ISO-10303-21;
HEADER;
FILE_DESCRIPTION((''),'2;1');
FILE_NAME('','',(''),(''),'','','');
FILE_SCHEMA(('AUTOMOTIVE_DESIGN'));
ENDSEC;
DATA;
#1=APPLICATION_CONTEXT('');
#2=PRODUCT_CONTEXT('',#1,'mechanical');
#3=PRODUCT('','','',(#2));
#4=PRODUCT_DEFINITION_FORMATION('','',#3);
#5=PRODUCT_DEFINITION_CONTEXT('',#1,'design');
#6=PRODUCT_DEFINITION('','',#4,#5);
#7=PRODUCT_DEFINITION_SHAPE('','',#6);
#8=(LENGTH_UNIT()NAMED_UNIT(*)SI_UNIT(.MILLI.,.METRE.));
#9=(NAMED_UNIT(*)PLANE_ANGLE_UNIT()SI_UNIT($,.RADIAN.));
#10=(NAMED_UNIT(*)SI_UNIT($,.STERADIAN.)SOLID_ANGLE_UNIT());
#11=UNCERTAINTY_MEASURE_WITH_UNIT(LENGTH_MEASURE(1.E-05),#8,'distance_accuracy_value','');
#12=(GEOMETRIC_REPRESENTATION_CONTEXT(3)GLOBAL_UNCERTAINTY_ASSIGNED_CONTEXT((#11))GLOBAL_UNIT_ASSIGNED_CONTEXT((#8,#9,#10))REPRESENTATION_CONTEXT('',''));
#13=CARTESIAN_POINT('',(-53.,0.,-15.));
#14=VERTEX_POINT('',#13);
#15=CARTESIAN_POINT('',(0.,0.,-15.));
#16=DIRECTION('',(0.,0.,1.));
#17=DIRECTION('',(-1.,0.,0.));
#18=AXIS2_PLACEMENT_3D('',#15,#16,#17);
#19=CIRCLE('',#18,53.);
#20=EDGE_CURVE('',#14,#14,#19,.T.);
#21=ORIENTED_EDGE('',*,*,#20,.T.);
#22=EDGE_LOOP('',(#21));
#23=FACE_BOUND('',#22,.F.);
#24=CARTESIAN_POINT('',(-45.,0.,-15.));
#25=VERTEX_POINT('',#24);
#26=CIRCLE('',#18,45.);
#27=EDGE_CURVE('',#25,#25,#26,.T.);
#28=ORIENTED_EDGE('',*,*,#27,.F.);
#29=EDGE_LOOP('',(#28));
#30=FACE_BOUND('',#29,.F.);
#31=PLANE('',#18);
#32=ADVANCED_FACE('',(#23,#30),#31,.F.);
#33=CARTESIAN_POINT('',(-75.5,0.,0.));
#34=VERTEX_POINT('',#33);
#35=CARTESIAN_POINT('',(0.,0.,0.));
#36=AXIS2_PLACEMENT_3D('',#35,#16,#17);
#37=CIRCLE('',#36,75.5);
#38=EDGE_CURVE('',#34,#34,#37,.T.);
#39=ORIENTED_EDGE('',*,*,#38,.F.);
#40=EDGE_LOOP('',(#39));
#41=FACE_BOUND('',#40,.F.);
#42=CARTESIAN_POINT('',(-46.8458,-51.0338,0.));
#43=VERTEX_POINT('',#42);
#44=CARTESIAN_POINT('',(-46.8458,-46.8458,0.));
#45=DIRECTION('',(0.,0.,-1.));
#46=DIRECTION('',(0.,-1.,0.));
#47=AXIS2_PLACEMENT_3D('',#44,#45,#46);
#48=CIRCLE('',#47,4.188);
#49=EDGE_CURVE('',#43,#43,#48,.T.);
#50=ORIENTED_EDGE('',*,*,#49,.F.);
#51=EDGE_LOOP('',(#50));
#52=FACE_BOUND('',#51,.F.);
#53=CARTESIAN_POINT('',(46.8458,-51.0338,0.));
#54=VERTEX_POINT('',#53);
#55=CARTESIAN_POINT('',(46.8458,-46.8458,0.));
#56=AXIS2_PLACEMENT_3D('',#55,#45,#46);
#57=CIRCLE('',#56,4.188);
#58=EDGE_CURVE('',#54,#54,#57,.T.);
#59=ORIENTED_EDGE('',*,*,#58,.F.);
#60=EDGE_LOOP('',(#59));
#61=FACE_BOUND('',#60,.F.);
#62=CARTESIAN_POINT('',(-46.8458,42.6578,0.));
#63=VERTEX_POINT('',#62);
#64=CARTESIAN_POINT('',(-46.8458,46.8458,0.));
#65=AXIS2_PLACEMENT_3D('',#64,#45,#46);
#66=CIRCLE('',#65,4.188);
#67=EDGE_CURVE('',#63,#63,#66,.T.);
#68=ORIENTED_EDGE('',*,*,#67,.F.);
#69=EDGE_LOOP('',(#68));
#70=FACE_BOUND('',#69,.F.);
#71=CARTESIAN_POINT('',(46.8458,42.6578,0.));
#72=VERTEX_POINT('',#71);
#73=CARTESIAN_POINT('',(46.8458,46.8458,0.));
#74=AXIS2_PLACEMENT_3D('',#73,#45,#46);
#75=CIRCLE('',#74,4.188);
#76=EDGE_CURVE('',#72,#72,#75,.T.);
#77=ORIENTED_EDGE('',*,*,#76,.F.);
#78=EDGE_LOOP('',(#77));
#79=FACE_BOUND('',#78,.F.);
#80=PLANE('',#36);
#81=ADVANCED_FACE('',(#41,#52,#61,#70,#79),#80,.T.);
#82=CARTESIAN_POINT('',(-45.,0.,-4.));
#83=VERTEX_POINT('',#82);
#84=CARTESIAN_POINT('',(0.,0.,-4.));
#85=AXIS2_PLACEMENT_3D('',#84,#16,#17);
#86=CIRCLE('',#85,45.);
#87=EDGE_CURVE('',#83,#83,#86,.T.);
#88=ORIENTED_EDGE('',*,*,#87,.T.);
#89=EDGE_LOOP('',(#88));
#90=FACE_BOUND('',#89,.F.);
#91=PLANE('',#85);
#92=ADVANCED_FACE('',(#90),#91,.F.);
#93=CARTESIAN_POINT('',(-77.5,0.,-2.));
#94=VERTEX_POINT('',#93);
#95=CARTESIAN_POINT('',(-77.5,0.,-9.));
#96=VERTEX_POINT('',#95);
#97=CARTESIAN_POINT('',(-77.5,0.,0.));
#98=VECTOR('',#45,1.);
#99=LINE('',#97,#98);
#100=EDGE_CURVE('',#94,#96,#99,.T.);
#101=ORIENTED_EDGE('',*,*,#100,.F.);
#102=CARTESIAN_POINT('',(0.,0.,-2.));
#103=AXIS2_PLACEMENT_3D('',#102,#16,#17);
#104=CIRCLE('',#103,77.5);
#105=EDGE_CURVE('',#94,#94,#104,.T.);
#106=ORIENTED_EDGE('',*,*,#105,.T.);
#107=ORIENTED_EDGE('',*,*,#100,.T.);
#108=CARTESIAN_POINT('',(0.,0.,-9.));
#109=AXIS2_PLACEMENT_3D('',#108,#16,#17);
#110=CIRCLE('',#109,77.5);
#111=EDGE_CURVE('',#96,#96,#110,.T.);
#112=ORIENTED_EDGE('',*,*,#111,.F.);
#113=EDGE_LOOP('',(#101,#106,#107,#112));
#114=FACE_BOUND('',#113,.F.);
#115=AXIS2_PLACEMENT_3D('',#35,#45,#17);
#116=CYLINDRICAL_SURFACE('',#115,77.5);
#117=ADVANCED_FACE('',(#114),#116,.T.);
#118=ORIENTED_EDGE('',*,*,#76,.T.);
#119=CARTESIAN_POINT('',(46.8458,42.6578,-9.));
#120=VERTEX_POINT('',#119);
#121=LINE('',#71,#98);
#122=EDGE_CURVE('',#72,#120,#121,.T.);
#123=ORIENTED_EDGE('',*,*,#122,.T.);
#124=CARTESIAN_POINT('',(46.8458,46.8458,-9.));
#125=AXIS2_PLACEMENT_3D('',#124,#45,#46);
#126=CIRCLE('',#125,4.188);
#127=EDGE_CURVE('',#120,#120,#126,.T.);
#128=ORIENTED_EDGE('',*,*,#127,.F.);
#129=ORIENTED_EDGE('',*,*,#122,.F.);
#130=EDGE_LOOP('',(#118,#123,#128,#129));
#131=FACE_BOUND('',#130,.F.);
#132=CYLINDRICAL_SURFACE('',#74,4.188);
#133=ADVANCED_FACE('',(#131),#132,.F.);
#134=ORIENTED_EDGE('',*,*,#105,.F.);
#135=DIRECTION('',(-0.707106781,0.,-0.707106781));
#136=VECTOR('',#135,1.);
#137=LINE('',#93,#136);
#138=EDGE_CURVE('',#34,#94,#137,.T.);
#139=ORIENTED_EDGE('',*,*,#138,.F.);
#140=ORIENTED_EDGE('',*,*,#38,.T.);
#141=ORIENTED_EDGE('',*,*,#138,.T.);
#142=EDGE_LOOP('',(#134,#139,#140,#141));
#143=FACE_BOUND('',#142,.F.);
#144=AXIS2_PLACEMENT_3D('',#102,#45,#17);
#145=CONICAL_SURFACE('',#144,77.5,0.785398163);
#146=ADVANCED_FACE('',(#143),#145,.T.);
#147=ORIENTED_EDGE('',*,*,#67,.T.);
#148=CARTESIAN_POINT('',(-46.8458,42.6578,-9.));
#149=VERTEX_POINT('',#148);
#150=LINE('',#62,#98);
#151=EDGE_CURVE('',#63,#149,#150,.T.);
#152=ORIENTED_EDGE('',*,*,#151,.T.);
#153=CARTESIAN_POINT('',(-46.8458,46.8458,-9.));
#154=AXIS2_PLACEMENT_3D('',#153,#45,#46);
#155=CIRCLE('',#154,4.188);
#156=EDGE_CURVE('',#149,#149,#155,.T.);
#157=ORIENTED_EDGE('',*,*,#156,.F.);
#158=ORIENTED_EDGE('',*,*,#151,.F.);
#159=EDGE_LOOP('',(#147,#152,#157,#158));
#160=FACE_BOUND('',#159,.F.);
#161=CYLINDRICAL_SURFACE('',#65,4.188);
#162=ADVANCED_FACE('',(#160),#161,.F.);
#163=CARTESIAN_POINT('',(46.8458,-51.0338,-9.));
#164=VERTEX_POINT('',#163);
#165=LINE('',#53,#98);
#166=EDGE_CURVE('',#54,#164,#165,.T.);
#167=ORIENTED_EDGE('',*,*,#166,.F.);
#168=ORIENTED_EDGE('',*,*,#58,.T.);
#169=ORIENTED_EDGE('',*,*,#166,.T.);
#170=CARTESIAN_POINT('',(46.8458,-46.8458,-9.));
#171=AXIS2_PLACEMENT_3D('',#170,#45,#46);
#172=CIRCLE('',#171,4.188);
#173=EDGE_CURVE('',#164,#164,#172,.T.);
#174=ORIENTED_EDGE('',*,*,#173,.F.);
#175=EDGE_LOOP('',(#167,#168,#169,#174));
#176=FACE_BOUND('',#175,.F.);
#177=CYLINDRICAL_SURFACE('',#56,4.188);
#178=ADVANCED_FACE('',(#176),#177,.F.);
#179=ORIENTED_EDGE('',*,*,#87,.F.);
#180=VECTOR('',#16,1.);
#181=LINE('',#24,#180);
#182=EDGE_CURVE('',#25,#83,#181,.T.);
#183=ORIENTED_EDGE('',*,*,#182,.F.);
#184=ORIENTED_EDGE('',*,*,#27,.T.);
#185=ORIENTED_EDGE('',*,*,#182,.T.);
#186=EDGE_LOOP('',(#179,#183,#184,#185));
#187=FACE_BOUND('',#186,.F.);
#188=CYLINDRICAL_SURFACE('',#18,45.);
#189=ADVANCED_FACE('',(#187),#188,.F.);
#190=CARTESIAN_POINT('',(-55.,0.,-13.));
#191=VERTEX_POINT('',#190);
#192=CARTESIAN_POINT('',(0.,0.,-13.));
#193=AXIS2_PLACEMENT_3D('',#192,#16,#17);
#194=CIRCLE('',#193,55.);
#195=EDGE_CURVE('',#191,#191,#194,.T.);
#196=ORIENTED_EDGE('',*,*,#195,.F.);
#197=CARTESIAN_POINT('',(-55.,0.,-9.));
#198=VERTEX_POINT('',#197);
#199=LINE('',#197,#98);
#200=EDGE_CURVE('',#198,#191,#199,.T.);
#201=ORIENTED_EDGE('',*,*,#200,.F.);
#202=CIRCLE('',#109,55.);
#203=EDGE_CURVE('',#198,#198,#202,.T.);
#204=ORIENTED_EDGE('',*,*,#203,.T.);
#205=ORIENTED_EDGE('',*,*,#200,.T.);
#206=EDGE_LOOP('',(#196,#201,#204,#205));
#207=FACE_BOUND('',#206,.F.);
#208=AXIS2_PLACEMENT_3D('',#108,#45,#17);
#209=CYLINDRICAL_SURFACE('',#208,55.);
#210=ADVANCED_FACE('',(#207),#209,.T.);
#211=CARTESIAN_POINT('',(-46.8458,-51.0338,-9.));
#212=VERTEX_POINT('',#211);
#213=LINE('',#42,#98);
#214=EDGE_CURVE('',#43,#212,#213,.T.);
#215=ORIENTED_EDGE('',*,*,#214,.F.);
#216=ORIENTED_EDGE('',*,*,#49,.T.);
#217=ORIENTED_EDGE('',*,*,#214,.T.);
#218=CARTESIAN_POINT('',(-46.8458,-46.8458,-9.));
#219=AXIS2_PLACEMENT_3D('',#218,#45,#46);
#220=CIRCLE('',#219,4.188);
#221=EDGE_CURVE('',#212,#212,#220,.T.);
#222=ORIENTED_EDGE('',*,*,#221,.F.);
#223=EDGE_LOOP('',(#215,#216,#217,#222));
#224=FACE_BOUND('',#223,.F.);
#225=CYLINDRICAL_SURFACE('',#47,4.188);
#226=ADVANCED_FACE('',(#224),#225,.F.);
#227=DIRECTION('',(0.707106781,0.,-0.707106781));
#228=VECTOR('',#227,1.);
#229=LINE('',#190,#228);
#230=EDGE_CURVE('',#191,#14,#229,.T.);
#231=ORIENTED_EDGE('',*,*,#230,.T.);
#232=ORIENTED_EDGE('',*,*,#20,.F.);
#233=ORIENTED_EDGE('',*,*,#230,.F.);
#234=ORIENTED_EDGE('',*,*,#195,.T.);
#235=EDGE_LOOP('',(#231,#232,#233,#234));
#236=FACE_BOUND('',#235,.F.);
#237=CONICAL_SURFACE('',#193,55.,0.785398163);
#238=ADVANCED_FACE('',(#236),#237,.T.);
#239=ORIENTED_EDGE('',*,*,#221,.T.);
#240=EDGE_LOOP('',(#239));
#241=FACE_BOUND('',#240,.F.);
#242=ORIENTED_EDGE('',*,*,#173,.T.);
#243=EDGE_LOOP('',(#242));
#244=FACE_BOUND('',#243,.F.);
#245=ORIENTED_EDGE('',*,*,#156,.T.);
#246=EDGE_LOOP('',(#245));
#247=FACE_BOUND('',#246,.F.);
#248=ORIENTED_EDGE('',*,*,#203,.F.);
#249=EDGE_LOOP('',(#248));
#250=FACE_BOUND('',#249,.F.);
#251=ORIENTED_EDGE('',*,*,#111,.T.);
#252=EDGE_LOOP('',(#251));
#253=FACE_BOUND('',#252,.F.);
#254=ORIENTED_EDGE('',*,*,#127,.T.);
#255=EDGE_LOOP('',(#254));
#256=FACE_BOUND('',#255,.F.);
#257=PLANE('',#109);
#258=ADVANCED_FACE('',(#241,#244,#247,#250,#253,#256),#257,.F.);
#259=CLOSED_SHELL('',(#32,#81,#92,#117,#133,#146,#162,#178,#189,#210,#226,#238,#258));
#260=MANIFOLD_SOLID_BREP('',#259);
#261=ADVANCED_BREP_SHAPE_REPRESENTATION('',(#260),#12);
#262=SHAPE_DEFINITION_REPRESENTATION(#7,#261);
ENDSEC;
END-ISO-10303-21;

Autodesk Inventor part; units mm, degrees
ref_plane "YZ Plane" through (0, 0, 0) normal (1, 0, 0) x (0, 1, 0)
ref_plane "XZ Plane" through (0, 0, 0) normal (0, 1, 0) x (-1, 0, 0)
ref_plane "XY Plane" through (0, 0, 0) normal (0, 0, 1) x (1, 0, 0)
sketch "Эскиз1" plane through (0, 0, 0) normal (0, 1, 0) x (-1, 0, 0)
  line L0 (0, 0) -> (77.5, 0)
  line L1 (77.5, 0) -> (77.5, -9)
  line L2 (77.5, -9) -> (55, -9)
  line L3 (55, -9) -> (55, -15)
  line L4 (0, -4) -> (0, 0)
  line L5 (55, -15) -> (45, -15)
  line L6 (45, -15) -> (45, -4)
  line L7 (45, -4) -> (0, -4)
  dimension "d0" = 155
  dimension "d1" = 110
  dimension "d3" = 9
  dimension "d5" = 15
  dimension "d6" = 90
  dimension "d7" = 4
revolve "Вращение1" add sketch "Эскиз1" angle 360 about axis through (0, 0, -4) along (0, 0, 1)
sketch "Эскиз3" plane through (0, 0, 0) normal (0, 0, 1) x (1, 0, 0)
  circle A0 centre (0, 0) radius 66.25 construction
  line L0 (0, 0) -> (-70.023, -70.023) construction
  line L1 (0, 0) -> (99.0274, 0) construction
  point P0 (0, 0)
  point P1 (-46.8458, -46.8458)
  point P2 (46.8458, -46.8458)
  point P3 (46.8458, 46.8458)
  point P4 (-46.8458, 46.8458)
  dimension "d15" = 132.5
  dimension "d16" = 135
  dimension "d19" = 360
hole "Отверстие1" at (-46.8458, -46.8458, 0) at (46.8458, -46.8458, 0) at (46.8458, 46.8458, 0) at (-46.8458, 46.8458, 0) direction (0, 0, -1) diameter 8.376 end through all thread size "M10x1.5" class "6H" standard "ISO Metric profile"
chamfer "Фаска1" distance 2 angle 45 2 edges at (55, 0, -15) (77.5, 0, 0)
properties part number "МПСТ Крышка подшипника глухая 110" material "Сталь, углеродистая"
